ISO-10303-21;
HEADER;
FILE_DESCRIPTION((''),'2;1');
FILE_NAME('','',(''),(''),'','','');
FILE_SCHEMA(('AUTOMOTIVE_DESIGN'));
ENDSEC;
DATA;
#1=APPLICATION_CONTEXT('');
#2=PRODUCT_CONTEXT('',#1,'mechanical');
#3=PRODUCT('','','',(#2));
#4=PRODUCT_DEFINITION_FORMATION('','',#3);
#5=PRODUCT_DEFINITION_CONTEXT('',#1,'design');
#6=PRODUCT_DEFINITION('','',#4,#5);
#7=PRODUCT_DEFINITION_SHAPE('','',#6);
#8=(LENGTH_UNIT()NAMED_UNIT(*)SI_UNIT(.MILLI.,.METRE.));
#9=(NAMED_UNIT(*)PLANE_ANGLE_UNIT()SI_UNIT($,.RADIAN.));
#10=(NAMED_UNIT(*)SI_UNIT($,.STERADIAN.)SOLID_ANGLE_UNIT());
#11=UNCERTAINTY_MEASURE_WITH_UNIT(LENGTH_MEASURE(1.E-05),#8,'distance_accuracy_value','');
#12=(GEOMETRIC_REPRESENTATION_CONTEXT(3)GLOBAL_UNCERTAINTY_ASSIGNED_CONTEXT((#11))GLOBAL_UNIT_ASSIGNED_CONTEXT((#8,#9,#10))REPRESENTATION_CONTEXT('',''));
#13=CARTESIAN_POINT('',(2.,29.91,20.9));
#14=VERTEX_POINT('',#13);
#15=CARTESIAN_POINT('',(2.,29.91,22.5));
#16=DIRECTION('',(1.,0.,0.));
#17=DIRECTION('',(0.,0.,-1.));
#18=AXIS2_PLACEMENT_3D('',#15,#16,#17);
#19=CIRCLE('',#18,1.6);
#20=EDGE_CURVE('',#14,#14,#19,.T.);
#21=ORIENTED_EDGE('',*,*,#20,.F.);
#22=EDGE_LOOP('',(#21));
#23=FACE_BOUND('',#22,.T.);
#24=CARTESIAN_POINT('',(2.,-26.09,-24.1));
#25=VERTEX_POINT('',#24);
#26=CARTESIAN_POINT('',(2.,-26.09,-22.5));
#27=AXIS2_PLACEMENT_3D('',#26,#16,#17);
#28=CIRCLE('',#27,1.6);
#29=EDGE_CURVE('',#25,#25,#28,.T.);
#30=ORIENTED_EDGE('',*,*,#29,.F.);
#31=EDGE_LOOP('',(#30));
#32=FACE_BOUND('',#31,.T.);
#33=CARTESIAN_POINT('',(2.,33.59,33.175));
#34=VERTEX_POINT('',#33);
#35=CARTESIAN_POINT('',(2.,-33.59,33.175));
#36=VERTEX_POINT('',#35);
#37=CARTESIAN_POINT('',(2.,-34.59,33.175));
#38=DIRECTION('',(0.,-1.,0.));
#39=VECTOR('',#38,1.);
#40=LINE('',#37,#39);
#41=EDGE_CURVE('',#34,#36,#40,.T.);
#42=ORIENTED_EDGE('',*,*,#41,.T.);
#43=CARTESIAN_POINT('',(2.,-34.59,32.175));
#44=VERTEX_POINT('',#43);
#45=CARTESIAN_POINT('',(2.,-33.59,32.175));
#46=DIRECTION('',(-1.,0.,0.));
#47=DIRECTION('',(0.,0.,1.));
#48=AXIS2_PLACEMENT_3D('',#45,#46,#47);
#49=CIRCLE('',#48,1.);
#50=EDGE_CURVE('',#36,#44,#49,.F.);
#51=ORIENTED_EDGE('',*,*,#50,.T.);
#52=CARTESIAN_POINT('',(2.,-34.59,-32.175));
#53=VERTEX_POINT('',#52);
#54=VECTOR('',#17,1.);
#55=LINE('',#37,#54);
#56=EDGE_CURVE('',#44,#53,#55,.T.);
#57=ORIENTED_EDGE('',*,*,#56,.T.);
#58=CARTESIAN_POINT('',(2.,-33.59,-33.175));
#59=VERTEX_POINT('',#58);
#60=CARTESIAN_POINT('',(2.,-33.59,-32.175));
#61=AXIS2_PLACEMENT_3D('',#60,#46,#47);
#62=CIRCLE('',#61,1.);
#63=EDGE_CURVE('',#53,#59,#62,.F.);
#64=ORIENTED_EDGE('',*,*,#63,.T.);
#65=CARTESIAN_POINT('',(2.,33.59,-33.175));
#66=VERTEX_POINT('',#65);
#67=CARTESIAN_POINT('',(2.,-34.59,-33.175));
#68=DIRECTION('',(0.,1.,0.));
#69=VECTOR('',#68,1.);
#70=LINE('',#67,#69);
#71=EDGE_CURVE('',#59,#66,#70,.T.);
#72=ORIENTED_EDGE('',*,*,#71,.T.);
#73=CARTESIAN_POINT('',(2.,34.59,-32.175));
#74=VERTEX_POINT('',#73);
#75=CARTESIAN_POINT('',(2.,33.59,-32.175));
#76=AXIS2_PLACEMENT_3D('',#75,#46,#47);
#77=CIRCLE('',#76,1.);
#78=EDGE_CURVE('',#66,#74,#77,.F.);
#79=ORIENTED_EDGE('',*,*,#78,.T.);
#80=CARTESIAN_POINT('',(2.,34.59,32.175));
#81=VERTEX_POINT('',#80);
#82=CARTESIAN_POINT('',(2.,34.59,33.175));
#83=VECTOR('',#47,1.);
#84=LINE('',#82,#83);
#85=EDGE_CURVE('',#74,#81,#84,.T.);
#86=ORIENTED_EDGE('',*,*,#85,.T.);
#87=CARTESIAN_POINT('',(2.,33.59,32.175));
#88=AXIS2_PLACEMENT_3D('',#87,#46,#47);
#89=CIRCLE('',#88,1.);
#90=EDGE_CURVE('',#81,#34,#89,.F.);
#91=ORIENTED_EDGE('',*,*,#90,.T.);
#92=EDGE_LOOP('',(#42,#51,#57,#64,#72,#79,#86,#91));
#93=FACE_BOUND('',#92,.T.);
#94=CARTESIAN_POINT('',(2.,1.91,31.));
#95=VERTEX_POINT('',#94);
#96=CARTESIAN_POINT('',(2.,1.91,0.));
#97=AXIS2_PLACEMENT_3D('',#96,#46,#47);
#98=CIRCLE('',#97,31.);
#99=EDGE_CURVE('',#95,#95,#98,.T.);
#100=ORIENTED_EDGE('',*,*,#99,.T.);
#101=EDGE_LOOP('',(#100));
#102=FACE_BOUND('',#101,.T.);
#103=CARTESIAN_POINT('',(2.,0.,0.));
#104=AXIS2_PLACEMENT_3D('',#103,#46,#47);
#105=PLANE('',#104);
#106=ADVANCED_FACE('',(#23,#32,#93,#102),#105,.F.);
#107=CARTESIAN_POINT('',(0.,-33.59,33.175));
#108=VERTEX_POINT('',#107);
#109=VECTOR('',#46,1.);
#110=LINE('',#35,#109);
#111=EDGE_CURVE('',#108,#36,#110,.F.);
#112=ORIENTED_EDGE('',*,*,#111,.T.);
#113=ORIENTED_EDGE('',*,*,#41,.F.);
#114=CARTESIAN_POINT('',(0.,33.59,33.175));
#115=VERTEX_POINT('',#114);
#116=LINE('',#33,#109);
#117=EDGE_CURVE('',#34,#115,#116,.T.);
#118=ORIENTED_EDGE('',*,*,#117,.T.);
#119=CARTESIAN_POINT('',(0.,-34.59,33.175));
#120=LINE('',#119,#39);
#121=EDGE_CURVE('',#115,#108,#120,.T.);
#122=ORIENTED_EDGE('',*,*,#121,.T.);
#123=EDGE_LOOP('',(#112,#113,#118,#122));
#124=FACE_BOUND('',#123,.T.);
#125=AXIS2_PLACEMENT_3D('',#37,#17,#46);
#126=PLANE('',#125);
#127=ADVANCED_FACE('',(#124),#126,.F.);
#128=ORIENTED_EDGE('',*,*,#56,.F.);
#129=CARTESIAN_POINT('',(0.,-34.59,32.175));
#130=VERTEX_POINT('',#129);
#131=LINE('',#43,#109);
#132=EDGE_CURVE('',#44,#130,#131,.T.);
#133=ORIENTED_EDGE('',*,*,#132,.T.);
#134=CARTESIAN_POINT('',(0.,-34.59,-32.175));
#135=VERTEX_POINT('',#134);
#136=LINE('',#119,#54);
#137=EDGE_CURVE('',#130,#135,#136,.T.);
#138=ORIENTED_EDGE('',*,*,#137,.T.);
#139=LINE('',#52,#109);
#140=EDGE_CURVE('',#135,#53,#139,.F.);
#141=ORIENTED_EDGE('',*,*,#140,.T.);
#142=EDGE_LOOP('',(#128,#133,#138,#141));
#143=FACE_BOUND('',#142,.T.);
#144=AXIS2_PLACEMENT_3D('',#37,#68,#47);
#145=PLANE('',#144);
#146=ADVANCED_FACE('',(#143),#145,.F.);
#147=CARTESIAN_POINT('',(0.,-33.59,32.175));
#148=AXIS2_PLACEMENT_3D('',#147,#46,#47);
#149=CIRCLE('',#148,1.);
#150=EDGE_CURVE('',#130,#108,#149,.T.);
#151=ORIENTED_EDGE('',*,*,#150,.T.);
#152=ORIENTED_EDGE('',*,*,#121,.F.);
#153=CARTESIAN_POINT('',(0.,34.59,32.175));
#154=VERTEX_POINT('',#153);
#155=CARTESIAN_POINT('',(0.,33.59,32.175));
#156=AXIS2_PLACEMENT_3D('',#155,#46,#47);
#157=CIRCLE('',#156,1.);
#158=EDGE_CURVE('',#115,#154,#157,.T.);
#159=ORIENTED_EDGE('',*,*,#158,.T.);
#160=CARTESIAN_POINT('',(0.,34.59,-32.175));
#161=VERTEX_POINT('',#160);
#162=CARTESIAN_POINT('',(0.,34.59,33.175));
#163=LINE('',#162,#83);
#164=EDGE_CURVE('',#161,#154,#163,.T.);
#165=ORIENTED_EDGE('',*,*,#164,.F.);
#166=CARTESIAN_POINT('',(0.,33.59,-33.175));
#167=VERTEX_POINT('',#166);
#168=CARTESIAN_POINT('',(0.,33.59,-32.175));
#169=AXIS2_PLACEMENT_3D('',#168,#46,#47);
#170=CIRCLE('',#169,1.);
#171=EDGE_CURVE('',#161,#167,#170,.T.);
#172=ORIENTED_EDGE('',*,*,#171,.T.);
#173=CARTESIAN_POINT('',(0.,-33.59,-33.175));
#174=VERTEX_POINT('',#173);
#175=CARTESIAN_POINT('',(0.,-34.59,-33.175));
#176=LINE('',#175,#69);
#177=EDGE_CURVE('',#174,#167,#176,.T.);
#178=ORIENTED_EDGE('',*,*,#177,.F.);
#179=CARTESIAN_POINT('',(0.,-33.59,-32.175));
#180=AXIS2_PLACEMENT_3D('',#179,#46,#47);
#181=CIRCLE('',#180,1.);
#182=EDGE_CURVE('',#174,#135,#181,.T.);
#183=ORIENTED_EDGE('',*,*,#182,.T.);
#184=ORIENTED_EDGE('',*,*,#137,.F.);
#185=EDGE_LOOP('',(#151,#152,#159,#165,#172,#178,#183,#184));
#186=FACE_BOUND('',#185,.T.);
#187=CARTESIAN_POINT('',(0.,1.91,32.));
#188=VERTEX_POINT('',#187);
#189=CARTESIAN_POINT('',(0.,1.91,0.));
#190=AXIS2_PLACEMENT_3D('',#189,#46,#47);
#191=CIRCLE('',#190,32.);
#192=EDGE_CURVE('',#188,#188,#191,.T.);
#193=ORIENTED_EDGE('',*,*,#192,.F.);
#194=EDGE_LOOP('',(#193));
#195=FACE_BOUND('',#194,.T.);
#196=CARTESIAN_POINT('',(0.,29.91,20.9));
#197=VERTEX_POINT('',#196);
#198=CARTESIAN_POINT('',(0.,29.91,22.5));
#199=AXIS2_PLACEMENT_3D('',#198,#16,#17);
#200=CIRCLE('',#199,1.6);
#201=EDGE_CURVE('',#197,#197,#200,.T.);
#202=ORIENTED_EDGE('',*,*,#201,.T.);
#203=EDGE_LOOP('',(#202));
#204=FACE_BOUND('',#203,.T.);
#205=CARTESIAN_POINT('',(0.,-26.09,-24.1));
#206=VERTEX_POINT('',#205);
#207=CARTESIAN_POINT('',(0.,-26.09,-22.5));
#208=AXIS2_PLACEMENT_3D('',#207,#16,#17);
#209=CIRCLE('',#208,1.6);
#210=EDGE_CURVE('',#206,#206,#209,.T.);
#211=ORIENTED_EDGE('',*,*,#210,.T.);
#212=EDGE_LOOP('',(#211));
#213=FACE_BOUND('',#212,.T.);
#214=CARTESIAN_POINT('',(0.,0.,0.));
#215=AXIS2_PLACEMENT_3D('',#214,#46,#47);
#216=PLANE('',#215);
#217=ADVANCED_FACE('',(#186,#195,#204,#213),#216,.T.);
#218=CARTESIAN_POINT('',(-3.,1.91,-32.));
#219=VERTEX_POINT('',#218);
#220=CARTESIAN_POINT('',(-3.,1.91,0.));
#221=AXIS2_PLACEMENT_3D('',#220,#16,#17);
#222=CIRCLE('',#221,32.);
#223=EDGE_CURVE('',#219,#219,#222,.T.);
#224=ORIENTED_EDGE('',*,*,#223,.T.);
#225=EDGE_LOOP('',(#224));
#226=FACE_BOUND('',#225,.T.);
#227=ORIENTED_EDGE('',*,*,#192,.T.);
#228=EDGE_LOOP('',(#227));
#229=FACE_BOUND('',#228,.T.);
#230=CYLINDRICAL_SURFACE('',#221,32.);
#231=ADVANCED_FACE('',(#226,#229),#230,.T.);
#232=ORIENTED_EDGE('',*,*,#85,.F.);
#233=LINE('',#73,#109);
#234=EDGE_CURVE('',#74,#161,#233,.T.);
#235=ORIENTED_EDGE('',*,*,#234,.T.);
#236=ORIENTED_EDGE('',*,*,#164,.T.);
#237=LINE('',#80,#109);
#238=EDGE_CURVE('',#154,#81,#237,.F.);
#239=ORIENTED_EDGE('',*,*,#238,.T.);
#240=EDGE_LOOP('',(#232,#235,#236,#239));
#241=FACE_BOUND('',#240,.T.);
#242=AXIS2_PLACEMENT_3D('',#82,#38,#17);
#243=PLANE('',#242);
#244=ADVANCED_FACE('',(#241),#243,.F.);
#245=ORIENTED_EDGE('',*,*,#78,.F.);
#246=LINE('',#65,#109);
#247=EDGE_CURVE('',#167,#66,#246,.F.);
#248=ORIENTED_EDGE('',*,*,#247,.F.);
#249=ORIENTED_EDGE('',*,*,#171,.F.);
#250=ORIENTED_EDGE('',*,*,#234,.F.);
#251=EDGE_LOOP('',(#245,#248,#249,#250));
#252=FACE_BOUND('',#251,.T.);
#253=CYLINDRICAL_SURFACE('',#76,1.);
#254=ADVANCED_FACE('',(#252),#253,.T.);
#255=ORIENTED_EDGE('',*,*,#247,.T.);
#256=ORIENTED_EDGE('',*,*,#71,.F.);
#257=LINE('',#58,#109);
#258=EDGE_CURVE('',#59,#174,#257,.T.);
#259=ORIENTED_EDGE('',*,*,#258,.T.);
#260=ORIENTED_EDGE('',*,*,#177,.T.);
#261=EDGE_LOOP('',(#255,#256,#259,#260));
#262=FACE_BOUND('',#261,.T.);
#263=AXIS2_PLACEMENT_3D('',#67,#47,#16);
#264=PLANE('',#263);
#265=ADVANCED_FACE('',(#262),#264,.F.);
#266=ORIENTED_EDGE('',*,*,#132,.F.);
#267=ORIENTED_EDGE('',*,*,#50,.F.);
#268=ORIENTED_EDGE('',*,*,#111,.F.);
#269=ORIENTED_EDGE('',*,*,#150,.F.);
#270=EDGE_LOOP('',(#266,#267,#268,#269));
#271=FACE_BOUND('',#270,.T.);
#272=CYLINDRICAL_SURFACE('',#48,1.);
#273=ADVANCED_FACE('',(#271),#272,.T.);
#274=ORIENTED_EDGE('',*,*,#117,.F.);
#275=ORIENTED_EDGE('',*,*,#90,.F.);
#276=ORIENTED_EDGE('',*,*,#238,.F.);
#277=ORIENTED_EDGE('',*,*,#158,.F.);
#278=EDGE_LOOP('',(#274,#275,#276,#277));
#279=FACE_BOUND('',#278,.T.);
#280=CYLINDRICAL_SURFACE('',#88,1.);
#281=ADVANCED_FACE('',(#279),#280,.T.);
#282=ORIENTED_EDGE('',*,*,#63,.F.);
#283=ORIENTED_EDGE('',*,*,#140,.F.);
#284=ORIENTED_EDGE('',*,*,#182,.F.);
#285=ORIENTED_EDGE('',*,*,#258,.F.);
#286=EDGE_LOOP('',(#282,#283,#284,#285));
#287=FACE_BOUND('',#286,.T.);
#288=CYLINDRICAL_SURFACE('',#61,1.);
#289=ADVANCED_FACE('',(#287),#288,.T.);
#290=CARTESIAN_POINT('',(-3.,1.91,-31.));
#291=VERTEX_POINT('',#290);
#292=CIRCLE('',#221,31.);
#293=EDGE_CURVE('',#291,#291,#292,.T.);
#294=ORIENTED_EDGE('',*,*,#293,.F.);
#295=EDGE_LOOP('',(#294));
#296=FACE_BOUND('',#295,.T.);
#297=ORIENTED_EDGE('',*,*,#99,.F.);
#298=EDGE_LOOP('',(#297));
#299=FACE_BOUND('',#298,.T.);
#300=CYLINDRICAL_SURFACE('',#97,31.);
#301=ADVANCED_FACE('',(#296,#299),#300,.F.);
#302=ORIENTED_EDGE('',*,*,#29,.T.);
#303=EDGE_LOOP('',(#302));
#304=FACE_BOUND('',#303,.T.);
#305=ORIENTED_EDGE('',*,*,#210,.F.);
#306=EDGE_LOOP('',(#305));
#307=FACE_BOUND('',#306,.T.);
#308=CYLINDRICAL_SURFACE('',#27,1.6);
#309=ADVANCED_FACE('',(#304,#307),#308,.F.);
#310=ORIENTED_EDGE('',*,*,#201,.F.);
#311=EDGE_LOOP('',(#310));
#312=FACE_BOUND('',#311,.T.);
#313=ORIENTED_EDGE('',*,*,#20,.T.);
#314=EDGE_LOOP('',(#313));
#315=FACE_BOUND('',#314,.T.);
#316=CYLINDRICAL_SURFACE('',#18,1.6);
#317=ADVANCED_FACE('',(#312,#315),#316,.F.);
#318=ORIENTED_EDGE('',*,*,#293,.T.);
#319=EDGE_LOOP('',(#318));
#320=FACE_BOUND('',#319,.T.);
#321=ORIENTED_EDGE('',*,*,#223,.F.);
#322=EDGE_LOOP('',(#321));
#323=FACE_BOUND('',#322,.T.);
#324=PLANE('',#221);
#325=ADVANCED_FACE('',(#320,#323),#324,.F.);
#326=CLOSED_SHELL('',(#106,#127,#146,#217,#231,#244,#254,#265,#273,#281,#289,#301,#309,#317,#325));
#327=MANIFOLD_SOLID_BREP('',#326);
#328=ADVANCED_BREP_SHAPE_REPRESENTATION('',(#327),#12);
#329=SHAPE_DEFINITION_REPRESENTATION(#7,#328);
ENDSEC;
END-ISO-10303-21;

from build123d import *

# Parameters (mm, degrees)
SKETCH1_W            = 66.35
SKETCH1_H            = 69.18
BOSS_EXTRUDE1_DEPTH  = 2
SKETCH2_R            = 31
CUT_EXTRUDE1_DEPTH   = 48.969247701
M3_CLEARANCE_HOLE1_D = 3.2
BOSS_EXTRUDE2_START  = -3
SKETCH6_R            = 32
SKETCH6_R_2          = 31
BOSS_EXTRUDE2_DEPTH  = 3
FILLET1_R            = 1


with BuildPart() as part:
    # Sketch1 → Boss-Extrude1 (new body)
    with BuildSketch(Plane(origin=(0, 0, 0), x_dir=(0, 0, -1), z_dir=(1, 0, 0))):
        Rectangle(SKETCH1_W, SKETCH1_H)
    extrude(amount=BOSS_EXTRUDE1_DEPTH)

    # Sketch2 → Cut-Extrude1 (cut, through all)
    with BuildSketch(Plane.ZY):
        with Locations((0, 1.91)):
            Circle(SKETCH2_R)
    extrude(amount=-CUT_EXTRUDE1_DEPTH, mode=Mode.SUBTRACT)

    # M3 Clearance Hole1 (through all)
    with Locations(Plane(origin=(2, 0, 0), x_dir=(0, 0, -1), z_dir=(1, 0, 0))):
        with Locations((-22.5, 29.91), (22.5, -26.09)):
            Hole(M3_CLEARANCE_HOLE1_D / 2)

    # Sketch6 → Boss-Extrude2 (add)
    with BuildSketch(Plane(origin=(0, 0, 0), x_dir=(0, 0, -1), z_dir=(1, 0, 0)).offset(BOSS_EXTRUDE2_START)):
        with Locations((0, 1.91)):
            Circle(SKETCH6_R)
        with Locations(Location((0, 1.91, 0), (0, 0, 180))):
            Circle(SKETCH6_R_2, mode=Mode.SUBTRACT)
    extrude(amount=BOSS_EXTRUDE2_DEPTH)

    # Fillet1
    fillet1_edges = [part.edges().sort_by_distance(p)[0] for p in [
        (1, -34.59, -33.175),
        (1, -34.59, 33.175),
        (1, 34.59, 33.175),
        (1, 34.59, -33.175),
    ]]
    fillet(fillet1_edges, radius=FILLET1_R)


solid = part.part
